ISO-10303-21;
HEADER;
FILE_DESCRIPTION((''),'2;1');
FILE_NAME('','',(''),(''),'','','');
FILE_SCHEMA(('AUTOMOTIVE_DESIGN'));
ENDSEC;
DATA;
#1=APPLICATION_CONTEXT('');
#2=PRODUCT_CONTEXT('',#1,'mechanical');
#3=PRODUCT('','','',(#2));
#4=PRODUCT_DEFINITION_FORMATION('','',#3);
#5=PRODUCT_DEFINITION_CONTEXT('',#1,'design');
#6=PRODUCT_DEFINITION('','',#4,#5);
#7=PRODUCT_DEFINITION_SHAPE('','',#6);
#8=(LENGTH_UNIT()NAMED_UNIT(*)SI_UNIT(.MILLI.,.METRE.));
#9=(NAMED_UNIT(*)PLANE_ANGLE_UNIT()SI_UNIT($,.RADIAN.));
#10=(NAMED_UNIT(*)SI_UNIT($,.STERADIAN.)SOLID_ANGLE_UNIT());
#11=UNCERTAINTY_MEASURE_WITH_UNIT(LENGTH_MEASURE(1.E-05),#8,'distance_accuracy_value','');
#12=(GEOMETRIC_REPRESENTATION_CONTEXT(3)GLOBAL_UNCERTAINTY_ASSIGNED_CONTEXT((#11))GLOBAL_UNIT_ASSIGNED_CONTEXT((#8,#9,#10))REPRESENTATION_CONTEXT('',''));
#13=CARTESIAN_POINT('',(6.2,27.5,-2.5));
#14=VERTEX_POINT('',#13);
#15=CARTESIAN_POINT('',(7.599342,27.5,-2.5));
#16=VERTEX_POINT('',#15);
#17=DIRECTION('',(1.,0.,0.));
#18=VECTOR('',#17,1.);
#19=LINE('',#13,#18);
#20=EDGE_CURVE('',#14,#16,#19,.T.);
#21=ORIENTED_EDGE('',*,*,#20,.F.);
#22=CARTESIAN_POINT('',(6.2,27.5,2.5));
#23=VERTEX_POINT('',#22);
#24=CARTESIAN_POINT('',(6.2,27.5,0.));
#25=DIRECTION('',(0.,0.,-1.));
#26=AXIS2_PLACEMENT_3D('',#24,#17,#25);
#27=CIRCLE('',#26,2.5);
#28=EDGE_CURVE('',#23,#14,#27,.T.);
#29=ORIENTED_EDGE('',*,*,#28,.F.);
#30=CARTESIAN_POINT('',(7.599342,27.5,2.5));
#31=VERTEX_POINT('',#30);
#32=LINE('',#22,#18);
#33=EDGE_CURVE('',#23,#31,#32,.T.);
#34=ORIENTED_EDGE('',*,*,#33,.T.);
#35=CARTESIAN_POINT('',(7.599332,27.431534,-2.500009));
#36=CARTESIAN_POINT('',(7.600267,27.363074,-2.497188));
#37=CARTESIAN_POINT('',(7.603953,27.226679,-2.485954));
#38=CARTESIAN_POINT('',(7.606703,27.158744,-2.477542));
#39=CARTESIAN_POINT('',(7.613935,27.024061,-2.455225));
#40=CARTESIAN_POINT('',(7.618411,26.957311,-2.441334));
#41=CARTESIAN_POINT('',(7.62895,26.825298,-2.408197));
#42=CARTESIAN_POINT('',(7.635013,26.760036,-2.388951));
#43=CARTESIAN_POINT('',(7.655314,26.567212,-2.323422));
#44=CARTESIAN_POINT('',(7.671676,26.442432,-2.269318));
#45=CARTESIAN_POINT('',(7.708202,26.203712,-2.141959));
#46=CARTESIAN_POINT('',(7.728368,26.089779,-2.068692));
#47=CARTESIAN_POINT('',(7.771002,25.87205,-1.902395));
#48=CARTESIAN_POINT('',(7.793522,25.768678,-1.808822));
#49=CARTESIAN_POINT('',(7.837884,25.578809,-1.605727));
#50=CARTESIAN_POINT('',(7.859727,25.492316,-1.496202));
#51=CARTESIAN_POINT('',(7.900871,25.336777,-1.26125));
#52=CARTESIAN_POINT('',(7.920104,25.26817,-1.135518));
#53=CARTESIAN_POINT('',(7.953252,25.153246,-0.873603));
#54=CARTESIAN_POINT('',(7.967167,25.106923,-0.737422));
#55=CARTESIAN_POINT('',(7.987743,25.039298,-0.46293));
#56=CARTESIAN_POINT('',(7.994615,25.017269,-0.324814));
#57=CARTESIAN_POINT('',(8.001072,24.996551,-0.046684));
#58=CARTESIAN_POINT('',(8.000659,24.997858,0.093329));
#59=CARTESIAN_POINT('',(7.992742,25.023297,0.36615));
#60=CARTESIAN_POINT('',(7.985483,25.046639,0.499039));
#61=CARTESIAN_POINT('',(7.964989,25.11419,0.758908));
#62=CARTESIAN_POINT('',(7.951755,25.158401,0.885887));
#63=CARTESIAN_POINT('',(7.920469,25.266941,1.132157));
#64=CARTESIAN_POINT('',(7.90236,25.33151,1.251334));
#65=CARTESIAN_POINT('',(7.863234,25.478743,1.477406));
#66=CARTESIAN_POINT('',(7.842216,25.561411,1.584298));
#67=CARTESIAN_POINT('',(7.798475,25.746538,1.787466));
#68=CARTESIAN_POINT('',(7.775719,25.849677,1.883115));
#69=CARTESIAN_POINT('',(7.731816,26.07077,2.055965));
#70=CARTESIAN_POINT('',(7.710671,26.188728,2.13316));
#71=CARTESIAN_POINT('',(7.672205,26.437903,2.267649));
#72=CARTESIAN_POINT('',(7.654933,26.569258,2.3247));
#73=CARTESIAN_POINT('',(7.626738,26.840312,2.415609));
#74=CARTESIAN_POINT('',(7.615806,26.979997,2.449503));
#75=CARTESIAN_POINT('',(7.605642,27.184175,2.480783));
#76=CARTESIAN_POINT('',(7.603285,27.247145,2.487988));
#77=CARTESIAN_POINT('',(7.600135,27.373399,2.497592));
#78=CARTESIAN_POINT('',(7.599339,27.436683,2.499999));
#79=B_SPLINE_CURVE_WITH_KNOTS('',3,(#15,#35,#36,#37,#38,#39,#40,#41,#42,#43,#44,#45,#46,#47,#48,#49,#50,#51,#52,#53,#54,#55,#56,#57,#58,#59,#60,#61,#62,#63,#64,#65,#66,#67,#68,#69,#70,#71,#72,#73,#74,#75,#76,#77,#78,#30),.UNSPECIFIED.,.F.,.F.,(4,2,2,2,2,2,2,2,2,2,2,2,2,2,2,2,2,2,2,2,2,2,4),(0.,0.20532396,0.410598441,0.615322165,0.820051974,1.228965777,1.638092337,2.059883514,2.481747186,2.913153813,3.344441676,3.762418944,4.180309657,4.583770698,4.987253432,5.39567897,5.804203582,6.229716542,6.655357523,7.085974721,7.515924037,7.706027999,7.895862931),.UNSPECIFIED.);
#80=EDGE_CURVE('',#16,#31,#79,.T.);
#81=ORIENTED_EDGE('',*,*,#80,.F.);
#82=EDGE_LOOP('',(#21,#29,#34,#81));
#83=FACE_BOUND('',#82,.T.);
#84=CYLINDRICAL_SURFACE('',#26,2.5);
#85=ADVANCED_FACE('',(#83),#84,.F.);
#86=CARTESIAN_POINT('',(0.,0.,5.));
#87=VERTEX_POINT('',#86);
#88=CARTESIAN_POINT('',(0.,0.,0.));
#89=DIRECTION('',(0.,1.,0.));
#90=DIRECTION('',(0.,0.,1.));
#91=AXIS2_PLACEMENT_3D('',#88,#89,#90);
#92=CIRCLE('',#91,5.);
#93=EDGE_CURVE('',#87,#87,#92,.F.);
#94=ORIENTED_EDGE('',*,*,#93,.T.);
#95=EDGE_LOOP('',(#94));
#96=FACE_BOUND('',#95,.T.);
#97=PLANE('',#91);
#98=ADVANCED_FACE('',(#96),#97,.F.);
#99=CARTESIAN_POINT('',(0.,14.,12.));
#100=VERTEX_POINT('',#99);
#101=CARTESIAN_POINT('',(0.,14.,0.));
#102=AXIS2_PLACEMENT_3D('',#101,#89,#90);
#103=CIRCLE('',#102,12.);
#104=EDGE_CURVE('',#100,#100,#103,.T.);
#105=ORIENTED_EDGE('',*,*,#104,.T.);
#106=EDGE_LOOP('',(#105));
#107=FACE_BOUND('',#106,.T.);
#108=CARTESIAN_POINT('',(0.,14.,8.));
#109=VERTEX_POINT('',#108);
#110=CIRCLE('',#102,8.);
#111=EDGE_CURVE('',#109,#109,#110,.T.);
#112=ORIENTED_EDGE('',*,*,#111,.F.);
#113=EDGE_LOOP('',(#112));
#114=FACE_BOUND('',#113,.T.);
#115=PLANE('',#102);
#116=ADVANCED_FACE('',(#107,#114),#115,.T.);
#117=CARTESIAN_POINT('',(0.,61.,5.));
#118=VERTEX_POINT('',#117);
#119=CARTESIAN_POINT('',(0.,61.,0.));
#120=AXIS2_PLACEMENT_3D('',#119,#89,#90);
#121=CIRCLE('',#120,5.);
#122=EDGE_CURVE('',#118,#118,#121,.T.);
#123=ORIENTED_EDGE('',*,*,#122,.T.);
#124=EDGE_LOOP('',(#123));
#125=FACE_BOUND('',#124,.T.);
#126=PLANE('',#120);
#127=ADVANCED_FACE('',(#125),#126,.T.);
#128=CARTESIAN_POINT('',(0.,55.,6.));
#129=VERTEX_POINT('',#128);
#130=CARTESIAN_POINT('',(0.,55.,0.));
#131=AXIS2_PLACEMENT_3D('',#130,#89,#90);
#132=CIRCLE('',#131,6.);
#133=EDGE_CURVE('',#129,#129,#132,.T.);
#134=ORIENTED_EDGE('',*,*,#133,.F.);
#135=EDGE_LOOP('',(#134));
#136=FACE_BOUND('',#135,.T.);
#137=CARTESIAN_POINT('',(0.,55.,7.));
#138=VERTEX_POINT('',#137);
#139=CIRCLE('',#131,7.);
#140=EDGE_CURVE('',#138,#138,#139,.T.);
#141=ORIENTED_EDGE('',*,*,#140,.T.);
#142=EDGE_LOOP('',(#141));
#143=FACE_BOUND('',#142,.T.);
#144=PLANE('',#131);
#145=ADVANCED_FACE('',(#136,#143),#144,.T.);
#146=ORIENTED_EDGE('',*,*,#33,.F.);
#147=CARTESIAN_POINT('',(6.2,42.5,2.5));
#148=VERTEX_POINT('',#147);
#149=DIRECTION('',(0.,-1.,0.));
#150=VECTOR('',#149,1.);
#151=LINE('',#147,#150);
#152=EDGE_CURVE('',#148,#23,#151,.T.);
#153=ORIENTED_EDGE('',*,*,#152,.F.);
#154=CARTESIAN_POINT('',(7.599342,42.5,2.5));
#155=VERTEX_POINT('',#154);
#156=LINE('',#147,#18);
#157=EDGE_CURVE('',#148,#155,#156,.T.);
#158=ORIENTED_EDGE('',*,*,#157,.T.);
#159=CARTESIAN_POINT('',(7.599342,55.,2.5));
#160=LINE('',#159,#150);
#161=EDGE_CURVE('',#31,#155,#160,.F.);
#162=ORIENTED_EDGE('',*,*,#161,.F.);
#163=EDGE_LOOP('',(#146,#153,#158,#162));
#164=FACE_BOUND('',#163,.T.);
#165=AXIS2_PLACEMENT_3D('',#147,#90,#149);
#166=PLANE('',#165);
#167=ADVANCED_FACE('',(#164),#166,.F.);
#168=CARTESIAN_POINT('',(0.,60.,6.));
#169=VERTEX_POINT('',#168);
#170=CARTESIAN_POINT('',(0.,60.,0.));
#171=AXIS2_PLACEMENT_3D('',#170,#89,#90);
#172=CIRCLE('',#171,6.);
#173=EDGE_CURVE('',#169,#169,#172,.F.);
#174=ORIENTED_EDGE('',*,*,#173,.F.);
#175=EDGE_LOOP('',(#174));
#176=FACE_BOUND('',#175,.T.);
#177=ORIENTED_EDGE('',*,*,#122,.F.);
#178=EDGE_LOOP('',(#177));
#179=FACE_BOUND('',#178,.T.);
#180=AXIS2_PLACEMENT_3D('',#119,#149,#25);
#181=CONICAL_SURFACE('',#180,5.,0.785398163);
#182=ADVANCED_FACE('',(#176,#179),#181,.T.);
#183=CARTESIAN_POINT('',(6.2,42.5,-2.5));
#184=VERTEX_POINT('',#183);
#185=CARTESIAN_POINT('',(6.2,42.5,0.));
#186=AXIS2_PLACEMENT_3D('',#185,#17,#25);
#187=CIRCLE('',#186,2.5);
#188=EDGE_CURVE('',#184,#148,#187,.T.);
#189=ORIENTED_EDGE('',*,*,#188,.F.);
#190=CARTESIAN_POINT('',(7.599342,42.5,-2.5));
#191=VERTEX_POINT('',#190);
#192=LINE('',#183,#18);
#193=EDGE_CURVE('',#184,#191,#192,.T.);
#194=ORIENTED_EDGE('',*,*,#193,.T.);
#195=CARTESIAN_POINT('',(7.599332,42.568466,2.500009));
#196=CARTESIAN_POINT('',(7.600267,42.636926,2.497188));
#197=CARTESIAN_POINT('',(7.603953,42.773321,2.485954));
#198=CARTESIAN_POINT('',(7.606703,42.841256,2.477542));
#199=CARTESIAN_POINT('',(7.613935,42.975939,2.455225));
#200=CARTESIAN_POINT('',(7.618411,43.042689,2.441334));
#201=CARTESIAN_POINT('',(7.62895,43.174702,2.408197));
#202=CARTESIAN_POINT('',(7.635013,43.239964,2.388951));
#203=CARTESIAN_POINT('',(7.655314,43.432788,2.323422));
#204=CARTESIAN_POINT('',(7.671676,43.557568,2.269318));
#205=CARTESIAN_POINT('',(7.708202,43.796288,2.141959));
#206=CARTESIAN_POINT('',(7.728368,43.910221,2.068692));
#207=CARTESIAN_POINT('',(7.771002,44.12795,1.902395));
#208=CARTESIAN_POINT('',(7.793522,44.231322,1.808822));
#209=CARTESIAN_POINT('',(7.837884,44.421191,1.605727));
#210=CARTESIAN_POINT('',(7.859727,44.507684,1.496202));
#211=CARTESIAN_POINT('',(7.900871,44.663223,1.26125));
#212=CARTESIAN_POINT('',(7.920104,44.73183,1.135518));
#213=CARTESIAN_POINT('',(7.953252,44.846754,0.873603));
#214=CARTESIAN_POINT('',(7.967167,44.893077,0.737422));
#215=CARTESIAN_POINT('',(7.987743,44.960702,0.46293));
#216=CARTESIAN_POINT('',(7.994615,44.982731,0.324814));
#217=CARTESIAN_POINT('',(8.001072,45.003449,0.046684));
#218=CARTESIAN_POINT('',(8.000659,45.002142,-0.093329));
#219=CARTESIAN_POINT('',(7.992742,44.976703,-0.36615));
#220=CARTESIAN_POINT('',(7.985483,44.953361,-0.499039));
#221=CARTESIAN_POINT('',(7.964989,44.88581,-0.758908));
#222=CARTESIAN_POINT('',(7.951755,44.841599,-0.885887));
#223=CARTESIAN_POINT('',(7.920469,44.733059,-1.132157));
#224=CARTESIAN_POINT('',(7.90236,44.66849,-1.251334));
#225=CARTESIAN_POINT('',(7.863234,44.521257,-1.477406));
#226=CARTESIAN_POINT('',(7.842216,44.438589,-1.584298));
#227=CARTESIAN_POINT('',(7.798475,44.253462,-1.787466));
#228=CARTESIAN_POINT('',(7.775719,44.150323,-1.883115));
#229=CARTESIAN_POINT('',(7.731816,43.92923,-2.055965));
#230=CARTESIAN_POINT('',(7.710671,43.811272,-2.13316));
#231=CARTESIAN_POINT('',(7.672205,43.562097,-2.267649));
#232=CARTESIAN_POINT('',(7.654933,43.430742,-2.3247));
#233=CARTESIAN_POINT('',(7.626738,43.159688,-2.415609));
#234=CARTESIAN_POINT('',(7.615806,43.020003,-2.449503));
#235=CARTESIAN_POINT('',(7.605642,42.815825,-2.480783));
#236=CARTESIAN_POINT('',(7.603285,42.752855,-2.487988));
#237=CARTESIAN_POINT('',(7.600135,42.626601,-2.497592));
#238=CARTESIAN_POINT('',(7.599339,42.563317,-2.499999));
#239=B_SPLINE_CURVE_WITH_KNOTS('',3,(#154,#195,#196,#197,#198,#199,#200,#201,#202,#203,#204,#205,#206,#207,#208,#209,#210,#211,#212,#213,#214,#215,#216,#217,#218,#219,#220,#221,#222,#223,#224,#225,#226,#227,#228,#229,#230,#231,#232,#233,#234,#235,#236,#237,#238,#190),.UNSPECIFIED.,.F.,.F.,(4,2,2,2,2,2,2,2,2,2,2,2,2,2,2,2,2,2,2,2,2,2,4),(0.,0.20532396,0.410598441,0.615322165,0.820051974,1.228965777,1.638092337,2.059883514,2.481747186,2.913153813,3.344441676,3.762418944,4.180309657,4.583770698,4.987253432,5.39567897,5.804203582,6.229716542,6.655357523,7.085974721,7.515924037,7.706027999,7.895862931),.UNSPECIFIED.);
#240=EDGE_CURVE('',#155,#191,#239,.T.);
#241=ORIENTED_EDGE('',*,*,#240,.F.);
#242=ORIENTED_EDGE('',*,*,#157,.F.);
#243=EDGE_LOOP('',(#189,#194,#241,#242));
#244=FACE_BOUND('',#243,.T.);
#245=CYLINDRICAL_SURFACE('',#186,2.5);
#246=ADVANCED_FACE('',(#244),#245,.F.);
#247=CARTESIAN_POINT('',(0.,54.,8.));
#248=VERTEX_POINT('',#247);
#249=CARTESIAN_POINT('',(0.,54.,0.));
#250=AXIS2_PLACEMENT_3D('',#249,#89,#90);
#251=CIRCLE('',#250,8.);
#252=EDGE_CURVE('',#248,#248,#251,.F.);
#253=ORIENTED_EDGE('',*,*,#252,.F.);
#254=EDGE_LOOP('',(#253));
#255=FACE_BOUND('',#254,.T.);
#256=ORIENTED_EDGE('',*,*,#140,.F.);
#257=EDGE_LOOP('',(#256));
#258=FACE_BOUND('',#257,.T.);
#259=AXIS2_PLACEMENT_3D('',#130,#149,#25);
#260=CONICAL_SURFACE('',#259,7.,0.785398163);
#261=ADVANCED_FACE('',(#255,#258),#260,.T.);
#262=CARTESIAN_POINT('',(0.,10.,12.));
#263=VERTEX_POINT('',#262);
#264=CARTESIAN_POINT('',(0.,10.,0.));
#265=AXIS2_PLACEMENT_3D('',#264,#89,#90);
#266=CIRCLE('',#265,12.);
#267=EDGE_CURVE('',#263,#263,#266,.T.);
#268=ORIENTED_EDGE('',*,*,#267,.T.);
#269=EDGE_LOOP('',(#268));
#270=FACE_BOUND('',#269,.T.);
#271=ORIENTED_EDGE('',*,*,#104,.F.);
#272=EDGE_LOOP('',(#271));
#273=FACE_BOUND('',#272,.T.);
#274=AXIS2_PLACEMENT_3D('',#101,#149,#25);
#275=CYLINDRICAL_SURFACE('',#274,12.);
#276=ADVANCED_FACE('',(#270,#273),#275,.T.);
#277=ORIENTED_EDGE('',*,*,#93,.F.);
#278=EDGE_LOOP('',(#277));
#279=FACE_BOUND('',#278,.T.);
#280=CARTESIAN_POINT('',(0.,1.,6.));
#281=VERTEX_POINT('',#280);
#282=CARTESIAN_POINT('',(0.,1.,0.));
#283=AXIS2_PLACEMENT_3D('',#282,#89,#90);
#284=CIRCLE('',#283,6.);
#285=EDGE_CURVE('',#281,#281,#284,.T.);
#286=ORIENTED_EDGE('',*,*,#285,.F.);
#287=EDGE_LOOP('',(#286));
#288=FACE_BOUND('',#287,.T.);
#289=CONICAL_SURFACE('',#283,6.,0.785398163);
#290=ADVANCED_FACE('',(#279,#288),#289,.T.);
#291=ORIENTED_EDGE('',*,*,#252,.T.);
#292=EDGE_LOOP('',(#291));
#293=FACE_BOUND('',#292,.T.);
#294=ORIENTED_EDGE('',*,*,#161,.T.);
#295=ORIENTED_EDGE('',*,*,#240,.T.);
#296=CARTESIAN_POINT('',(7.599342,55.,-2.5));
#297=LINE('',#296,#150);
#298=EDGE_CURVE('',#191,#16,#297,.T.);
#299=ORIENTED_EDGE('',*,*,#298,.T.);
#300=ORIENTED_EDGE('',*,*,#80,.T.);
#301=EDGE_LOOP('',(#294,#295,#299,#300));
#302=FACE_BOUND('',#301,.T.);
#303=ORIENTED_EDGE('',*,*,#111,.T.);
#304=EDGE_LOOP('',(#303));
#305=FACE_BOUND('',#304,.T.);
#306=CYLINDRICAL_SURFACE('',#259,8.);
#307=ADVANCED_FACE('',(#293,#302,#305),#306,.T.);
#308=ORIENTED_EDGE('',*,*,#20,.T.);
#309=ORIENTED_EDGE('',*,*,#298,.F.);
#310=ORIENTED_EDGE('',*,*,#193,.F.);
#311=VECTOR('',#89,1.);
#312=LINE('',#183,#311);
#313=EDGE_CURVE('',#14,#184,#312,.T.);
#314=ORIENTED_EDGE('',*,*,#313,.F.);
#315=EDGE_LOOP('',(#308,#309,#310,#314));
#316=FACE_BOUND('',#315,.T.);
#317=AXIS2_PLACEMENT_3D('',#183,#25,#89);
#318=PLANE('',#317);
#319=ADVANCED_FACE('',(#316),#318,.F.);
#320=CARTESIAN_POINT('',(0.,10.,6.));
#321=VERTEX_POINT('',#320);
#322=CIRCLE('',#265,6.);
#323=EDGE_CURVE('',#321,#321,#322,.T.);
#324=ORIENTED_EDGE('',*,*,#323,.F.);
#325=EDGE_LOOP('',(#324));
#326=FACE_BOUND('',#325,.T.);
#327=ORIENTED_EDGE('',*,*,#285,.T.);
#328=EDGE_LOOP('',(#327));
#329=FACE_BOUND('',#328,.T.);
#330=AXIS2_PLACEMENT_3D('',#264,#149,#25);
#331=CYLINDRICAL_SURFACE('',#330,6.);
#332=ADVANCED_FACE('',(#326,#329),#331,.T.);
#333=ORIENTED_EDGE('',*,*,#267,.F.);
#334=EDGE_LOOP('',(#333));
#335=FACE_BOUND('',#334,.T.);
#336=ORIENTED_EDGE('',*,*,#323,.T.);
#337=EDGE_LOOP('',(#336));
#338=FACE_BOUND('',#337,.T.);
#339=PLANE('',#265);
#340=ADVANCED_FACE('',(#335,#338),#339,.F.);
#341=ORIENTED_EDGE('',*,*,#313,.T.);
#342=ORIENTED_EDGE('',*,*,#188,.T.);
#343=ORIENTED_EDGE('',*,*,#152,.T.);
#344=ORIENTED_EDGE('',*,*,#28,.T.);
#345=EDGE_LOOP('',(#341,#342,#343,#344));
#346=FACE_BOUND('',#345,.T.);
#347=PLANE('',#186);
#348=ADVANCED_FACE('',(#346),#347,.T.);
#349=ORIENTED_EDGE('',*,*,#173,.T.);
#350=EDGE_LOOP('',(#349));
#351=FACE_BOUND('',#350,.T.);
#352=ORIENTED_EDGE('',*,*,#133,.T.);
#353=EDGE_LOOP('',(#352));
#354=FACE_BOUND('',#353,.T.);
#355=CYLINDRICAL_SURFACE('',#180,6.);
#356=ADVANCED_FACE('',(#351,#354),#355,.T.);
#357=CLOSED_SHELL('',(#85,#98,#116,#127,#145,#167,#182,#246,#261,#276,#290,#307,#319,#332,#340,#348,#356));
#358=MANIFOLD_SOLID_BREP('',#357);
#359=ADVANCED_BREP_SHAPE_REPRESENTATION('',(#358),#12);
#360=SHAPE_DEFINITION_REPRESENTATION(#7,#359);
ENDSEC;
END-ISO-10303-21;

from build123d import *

# Parameters (mm, degrees)
SKETCH1_R           = 6
BOSS_EXTRUDE1_DEPTH = 10
SKETCH2_R           = 12
BOSS_EXTRUDE2_DEPTH = 4
SKETCH3_R           = 8
BOSS_EXTRUDE3_DEPTH = 41
SKETCH4_R           = 6
BOSS_EXTRUDE4_DEPTH = 6
CHAMFER1_SIZE       = 1
CHAMFER2_SIZE       = 1
CHAMFER3_SIZE       = 1
CUT_EXTRUDE1_DEPTH  = 1.8


with BuildPart() as part:
    # Sketch1 → Boss-Extrude1 (new body)
    with BuildSketch(Plane(origin=(0, 0, 0), x_dir=(1, 0, 0), z_dir=(0, 1, 0))):
        with Locations(Location((0, 0, 0), (0, 0, 270))):
            Circle(SKETCH1_R)
    extrude(amount=BOSS_EXTRUDE1_DEPTH)

    # Sketch2 → Boss-Extrude2 (add)
    with BuildSketch(Plane(origin=(0, 10, 0), x_dir=(1, 0, 0), z_dir=(0, 1, 0))):
        with Locations(Location((0, 0, 0), (0, 0, 270))):
            Circle(SKETCH2_R)
    extrude(amount=BOSS_EXTRUDE2_DEPTH)

    # Sketch3 → Boss-Extrude3 (add)
    with BuildSketch(Plane(origin=(0, 14, 0), x_dir=(1, 0, 0), z_dir=(0, 1, 0))):
        with Locations(Location((0, 0, 0), (0, 0, 270))):
            Circle(SKETCH3_R)
    extrude(amount=BOSS_EXTRUDE3_DEPTH)

    # Sketch4 → Boss-Extrude4 (add)
    with BuildSketch(Plane(origin=(0, 55, 0), x_dir=(1, 0, 0), z_dir=(0, 1, 0))):
        with Locations(Location((0, 0, 0), (0, 0, 270))):
            Circle(SKETCH4_R)
    extrude(amount=BOSS_EXTRUDE4_DEPTH)

    # Chamfer1
    chamfer1_edges = [part.edges().sort_by_distance(p)[0] for p in [
        (0, 0, -6),
    ]]
    chamfer(chamfer1_edges, length=CHAMFER1_SIZE)

    # Chamfer2
    chamfer2_edges = [part.edges().sort_by_distance(p)[0] for p in [
        (0, 61, -6),
    ]]
    chamfer(chamfer2_edges, length=CHAMFER2_SIZE)

    # Chamfer3
    chamfer3_edges = [part.edges().sort_by_distance(p)[0] for p in [
        (0, 55, -8),
    ]]
    chamfer(chamfer3_edges, length=CHAMFER3_SIZE)

    # Sketch5 → Cut-Extrude1 (cut)
    with BuildSketch(Plane(origin=(8, 0, 0), x_dir=(0, 0, -1), z_dir=(1, 0, 0))):
        with BuildLine():
            Line((2.5, 42.5), (2.5, 27.5))
            ThreePointArc((2.5, 27.5), (0, 25), (-2.5, 27.5))
            Line((-2.5, 27.5), (-2.5, 42.5))
            ThreePointArc((-2.5, 42.5), (0, 45), (2.5, 42.5))
        make_face()
    extrude(amount=-CUT_EXTRUDE1_DEPTH, mode=Mode.SUBTRACT)


solid = part.part
